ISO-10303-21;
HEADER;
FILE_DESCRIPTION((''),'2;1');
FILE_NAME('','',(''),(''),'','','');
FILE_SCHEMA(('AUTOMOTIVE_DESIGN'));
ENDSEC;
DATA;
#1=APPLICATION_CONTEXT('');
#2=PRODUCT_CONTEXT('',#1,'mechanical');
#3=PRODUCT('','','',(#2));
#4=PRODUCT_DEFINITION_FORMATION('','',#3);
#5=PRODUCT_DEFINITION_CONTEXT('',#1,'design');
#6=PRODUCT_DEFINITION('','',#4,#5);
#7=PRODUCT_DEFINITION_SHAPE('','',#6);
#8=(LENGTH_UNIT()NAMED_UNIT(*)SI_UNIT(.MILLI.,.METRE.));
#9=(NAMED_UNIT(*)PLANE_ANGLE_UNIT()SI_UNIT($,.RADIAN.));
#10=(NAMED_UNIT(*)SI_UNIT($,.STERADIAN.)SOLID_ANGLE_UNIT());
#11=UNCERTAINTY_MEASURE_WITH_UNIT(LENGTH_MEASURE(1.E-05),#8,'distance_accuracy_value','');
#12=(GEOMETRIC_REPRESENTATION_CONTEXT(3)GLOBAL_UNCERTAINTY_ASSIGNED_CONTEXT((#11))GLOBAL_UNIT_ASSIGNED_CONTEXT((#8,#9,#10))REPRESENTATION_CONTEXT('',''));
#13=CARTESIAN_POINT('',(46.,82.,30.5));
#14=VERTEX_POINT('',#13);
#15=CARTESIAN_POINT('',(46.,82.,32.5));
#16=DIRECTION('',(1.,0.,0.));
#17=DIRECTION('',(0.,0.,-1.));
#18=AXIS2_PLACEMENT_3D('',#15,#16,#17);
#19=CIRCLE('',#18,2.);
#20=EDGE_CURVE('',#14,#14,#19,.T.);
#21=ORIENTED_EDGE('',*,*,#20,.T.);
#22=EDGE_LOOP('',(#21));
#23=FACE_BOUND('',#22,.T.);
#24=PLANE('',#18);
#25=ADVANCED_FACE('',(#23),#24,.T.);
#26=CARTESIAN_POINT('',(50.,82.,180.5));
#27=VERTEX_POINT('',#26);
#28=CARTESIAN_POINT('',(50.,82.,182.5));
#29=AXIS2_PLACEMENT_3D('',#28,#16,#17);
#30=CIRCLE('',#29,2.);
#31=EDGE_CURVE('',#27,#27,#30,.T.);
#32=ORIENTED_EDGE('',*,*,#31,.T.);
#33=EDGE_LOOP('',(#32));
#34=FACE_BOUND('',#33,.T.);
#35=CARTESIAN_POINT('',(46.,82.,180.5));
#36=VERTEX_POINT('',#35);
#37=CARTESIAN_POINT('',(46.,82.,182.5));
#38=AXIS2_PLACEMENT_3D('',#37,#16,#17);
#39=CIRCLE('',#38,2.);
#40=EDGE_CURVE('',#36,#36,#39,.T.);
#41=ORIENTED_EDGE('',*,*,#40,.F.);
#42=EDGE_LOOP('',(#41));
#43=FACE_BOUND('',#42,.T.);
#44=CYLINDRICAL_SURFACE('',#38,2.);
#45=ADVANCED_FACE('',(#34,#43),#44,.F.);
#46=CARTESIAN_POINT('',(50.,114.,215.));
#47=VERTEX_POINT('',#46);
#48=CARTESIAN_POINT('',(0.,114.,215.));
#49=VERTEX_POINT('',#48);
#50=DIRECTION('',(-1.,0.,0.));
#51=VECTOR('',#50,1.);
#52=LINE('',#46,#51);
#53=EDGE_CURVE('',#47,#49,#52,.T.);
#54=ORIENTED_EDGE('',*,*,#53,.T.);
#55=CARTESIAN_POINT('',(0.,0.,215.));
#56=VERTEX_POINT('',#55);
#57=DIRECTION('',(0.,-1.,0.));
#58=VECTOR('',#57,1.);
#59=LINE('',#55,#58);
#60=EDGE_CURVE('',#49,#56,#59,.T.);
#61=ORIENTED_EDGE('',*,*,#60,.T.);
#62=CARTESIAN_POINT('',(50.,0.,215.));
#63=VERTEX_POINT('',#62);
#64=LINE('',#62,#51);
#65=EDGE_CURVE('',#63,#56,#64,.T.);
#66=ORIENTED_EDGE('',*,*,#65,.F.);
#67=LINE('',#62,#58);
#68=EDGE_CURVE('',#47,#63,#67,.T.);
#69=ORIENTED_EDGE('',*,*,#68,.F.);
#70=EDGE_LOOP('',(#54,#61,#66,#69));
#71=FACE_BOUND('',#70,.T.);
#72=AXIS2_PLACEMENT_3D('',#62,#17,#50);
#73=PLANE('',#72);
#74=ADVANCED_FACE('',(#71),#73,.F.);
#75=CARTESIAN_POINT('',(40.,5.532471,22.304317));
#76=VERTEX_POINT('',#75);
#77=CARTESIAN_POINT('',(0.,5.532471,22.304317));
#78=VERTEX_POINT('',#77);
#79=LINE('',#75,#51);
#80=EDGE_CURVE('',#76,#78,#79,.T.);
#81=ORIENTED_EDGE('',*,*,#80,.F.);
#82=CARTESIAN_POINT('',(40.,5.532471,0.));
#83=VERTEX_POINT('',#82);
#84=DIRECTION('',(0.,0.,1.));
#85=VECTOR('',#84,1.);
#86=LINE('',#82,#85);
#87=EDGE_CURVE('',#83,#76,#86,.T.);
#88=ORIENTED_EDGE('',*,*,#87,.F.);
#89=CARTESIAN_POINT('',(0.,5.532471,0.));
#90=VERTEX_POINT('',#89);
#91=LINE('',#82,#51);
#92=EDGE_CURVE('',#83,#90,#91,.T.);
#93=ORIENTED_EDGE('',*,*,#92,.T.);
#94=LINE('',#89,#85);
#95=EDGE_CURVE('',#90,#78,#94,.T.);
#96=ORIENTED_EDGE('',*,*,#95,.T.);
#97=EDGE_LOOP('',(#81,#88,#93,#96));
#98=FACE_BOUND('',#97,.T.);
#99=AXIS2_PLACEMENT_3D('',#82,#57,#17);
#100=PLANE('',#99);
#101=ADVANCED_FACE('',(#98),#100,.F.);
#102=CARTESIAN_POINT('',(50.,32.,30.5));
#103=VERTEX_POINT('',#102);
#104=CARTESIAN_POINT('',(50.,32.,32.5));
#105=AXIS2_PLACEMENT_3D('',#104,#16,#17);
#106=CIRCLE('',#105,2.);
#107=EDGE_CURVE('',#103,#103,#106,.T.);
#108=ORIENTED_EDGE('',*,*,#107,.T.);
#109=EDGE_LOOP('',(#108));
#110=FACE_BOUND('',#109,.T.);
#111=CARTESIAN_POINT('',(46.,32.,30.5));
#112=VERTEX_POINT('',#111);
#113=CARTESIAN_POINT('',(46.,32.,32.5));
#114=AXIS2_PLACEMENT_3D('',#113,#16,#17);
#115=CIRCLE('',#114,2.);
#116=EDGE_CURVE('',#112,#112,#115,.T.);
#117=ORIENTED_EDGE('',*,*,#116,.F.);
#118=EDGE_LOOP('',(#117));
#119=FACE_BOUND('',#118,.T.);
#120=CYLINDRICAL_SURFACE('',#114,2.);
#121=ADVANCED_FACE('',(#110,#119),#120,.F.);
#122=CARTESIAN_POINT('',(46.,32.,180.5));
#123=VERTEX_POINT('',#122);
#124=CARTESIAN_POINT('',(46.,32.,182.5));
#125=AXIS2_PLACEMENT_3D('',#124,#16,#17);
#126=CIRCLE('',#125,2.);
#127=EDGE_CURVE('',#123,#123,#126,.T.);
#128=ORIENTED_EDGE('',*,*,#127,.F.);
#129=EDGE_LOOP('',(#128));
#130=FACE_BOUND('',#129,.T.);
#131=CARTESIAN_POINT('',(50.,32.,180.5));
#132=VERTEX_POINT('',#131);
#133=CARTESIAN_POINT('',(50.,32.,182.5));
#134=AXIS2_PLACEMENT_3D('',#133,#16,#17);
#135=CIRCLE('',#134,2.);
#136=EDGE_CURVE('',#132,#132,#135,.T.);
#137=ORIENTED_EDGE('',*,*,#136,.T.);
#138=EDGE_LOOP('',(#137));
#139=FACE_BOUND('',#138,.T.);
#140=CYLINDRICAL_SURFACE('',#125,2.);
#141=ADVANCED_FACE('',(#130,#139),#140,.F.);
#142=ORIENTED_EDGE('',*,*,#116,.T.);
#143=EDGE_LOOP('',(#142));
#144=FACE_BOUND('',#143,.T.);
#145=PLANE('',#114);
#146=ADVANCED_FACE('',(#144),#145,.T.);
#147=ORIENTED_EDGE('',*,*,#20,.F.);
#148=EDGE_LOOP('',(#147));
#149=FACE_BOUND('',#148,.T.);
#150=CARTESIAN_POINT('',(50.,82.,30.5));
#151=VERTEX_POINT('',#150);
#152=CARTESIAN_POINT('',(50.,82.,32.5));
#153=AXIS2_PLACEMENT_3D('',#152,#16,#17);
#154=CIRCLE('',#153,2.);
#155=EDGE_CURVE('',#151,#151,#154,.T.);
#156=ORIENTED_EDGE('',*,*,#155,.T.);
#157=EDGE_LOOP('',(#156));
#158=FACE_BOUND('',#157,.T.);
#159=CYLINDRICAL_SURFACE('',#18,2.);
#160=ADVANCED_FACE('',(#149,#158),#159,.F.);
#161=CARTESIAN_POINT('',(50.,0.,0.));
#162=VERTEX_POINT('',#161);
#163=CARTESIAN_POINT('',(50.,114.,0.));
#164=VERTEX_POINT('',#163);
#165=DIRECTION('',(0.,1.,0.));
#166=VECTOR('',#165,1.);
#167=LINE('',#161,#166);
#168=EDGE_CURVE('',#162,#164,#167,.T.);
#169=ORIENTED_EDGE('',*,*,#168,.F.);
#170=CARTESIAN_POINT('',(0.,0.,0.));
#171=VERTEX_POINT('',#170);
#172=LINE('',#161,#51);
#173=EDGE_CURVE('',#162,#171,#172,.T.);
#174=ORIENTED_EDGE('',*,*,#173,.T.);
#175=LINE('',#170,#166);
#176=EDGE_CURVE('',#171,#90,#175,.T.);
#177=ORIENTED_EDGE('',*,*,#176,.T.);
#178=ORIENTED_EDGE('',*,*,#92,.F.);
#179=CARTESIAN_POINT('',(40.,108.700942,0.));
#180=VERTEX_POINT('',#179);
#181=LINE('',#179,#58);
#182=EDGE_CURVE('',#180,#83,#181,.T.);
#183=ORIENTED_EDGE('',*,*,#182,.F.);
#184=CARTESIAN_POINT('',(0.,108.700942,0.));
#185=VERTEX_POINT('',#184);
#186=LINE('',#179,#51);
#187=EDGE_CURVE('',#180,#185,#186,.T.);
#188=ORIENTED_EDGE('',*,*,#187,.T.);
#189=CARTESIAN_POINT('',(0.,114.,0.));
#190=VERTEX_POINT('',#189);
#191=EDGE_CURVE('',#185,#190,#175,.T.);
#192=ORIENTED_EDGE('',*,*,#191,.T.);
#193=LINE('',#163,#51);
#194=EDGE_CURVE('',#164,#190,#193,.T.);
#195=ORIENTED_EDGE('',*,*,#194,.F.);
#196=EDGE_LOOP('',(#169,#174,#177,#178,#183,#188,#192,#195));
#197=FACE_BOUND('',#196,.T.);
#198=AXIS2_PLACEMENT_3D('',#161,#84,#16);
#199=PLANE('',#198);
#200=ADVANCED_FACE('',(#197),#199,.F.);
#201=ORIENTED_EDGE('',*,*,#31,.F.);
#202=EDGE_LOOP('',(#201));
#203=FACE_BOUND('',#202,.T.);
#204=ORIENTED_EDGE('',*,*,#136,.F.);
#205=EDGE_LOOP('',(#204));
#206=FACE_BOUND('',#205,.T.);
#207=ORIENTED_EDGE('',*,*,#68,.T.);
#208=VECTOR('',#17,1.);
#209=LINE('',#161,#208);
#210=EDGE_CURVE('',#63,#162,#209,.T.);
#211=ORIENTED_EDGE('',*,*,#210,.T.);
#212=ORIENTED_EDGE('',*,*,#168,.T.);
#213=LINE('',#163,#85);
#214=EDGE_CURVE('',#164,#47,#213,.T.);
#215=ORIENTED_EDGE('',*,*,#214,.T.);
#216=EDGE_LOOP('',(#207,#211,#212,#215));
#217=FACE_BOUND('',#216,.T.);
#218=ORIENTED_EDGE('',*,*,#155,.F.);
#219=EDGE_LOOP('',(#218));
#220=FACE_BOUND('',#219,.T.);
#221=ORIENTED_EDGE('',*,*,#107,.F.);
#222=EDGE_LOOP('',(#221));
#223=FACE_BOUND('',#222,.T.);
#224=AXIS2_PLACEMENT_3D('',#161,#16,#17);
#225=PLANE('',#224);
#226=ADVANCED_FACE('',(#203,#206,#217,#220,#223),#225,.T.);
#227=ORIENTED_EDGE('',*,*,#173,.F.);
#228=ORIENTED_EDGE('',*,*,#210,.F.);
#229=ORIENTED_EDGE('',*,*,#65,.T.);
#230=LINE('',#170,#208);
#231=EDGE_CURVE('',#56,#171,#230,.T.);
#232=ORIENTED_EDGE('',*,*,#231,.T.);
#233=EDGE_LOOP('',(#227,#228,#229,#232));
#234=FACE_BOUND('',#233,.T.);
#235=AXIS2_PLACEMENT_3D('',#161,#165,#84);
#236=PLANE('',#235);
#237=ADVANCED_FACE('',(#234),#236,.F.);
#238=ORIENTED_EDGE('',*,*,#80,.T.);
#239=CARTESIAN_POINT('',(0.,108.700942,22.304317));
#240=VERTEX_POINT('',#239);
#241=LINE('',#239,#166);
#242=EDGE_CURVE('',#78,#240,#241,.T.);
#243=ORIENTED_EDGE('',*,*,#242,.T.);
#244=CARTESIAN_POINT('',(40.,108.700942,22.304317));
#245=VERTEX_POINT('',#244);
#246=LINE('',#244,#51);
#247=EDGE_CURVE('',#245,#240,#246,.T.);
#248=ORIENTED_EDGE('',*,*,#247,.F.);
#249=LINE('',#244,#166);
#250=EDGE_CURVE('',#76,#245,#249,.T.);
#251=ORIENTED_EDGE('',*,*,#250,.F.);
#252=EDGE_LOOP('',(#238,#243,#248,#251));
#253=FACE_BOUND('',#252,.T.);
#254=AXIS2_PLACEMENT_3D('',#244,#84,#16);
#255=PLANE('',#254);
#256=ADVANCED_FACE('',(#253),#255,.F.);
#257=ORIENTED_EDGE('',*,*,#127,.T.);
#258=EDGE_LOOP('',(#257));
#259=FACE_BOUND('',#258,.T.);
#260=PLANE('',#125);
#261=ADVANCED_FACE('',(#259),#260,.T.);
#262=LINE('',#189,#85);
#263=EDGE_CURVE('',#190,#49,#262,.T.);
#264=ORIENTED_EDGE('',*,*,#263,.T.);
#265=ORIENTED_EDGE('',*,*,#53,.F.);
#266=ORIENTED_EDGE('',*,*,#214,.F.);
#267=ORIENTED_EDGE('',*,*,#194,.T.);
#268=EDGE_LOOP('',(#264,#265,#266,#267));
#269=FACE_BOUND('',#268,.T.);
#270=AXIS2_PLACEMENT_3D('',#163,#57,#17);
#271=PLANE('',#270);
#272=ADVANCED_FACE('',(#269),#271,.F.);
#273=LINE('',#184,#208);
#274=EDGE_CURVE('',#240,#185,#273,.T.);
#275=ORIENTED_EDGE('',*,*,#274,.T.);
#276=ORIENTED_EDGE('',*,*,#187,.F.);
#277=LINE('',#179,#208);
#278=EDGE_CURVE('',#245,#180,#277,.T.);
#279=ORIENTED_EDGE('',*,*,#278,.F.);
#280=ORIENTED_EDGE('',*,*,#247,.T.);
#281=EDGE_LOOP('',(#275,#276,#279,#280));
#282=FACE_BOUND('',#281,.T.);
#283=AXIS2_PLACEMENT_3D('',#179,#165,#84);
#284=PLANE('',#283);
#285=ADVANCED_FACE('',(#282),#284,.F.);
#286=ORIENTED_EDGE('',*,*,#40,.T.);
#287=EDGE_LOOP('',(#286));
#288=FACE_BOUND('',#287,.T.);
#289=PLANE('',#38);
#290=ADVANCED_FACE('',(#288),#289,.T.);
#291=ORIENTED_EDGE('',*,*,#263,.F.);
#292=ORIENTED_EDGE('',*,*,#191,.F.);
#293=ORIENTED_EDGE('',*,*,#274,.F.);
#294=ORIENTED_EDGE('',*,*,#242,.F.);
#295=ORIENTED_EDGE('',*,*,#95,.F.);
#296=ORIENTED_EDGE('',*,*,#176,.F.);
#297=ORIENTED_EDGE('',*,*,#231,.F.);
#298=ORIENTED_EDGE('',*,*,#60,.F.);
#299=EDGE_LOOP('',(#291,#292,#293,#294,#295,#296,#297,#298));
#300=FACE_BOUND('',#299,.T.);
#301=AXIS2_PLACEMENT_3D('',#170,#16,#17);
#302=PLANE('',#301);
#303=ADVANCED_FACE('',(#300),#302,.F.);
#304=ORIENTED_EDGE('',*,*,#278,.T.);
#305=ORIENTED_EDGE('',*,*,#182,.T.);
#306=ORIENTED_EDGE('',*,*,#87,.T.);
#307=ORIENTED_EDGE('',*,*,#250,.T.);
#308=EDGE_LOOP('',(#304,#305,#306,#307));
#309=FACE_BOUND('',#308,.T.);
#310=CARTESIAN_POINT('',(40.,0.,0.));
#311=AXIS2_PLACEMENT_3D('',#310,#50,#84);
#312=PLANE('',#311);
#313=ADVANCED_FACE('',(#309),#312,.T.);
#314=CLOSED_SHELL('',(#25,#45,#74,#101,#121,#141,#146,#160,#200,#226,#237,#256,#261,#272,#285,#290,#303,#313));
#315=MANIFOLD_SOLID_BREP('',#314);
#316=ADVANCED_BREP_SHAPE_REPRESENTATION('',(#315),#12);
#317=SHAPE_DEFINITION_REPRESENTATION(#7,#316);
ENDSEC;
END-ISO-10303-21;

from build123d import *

# Parameters (mm, degrees)
SKETCH_1_W          = 215
SKETCH_1_H          = 114
EXTRUDE_1_DEPTH     = 50
SKETCH_2_W          = 22.304316617
SKETCH_2_H          = 103.168471384
CUT_EXTRUDE_1_DEPTH = 40
SKETCH_3_R          = 2
CUT_EXTRUDE_2_DEPTH = 4


with BuildPart() as part:
    # 草图1 → 凸台-拉伸1 (new body)
    with BuildSketch(Plane(origin=(0, 0, 0), x_dir=(0, 0, -1), z_dir=(1, 0, 0))):
        with Locations((-107.5, 57)):
            Rectangle(SKETCH_1_W, SKETCH_1_H)
    extrude(amount=EXTRUDE_1_DEPTH)

    # 草图2 → 切除-拉伸1 (cut)
    with BuildSketch(Plane.ZY):
        with Locations((11.152158309, 57.116706416)):
            Rectangle(SKETCH_2_W, SKETCH_2_H)
    extrude(amount=-CUT_EXTRUDE_1_DEPTH, mode=Mode.SUBTRACT)

    # 草图3 → 切除-拉伸2 (cut)
    with BuildSketch(Plane(origin=(50, 0, 0), x_dir=(0, 0, -1), z_dir=(1, 0, 0))):
        with Locations((-182.5, 82)):
            Circle(SKETCH_3_R)
        with Locations((-32.5, 82)):
            Circle(SKETCH_3_R)
        with Locations((-32.5, 32)):
            Circle(SKETCH_3_R)
        with Locations((-182.5, 32)):
            Circle(SKETCH_3_R)
    extrude(amount=-CUT_EXTRUDE_2_DEPTH, mode=Mode.SUBTRACT)


solid = part.part
